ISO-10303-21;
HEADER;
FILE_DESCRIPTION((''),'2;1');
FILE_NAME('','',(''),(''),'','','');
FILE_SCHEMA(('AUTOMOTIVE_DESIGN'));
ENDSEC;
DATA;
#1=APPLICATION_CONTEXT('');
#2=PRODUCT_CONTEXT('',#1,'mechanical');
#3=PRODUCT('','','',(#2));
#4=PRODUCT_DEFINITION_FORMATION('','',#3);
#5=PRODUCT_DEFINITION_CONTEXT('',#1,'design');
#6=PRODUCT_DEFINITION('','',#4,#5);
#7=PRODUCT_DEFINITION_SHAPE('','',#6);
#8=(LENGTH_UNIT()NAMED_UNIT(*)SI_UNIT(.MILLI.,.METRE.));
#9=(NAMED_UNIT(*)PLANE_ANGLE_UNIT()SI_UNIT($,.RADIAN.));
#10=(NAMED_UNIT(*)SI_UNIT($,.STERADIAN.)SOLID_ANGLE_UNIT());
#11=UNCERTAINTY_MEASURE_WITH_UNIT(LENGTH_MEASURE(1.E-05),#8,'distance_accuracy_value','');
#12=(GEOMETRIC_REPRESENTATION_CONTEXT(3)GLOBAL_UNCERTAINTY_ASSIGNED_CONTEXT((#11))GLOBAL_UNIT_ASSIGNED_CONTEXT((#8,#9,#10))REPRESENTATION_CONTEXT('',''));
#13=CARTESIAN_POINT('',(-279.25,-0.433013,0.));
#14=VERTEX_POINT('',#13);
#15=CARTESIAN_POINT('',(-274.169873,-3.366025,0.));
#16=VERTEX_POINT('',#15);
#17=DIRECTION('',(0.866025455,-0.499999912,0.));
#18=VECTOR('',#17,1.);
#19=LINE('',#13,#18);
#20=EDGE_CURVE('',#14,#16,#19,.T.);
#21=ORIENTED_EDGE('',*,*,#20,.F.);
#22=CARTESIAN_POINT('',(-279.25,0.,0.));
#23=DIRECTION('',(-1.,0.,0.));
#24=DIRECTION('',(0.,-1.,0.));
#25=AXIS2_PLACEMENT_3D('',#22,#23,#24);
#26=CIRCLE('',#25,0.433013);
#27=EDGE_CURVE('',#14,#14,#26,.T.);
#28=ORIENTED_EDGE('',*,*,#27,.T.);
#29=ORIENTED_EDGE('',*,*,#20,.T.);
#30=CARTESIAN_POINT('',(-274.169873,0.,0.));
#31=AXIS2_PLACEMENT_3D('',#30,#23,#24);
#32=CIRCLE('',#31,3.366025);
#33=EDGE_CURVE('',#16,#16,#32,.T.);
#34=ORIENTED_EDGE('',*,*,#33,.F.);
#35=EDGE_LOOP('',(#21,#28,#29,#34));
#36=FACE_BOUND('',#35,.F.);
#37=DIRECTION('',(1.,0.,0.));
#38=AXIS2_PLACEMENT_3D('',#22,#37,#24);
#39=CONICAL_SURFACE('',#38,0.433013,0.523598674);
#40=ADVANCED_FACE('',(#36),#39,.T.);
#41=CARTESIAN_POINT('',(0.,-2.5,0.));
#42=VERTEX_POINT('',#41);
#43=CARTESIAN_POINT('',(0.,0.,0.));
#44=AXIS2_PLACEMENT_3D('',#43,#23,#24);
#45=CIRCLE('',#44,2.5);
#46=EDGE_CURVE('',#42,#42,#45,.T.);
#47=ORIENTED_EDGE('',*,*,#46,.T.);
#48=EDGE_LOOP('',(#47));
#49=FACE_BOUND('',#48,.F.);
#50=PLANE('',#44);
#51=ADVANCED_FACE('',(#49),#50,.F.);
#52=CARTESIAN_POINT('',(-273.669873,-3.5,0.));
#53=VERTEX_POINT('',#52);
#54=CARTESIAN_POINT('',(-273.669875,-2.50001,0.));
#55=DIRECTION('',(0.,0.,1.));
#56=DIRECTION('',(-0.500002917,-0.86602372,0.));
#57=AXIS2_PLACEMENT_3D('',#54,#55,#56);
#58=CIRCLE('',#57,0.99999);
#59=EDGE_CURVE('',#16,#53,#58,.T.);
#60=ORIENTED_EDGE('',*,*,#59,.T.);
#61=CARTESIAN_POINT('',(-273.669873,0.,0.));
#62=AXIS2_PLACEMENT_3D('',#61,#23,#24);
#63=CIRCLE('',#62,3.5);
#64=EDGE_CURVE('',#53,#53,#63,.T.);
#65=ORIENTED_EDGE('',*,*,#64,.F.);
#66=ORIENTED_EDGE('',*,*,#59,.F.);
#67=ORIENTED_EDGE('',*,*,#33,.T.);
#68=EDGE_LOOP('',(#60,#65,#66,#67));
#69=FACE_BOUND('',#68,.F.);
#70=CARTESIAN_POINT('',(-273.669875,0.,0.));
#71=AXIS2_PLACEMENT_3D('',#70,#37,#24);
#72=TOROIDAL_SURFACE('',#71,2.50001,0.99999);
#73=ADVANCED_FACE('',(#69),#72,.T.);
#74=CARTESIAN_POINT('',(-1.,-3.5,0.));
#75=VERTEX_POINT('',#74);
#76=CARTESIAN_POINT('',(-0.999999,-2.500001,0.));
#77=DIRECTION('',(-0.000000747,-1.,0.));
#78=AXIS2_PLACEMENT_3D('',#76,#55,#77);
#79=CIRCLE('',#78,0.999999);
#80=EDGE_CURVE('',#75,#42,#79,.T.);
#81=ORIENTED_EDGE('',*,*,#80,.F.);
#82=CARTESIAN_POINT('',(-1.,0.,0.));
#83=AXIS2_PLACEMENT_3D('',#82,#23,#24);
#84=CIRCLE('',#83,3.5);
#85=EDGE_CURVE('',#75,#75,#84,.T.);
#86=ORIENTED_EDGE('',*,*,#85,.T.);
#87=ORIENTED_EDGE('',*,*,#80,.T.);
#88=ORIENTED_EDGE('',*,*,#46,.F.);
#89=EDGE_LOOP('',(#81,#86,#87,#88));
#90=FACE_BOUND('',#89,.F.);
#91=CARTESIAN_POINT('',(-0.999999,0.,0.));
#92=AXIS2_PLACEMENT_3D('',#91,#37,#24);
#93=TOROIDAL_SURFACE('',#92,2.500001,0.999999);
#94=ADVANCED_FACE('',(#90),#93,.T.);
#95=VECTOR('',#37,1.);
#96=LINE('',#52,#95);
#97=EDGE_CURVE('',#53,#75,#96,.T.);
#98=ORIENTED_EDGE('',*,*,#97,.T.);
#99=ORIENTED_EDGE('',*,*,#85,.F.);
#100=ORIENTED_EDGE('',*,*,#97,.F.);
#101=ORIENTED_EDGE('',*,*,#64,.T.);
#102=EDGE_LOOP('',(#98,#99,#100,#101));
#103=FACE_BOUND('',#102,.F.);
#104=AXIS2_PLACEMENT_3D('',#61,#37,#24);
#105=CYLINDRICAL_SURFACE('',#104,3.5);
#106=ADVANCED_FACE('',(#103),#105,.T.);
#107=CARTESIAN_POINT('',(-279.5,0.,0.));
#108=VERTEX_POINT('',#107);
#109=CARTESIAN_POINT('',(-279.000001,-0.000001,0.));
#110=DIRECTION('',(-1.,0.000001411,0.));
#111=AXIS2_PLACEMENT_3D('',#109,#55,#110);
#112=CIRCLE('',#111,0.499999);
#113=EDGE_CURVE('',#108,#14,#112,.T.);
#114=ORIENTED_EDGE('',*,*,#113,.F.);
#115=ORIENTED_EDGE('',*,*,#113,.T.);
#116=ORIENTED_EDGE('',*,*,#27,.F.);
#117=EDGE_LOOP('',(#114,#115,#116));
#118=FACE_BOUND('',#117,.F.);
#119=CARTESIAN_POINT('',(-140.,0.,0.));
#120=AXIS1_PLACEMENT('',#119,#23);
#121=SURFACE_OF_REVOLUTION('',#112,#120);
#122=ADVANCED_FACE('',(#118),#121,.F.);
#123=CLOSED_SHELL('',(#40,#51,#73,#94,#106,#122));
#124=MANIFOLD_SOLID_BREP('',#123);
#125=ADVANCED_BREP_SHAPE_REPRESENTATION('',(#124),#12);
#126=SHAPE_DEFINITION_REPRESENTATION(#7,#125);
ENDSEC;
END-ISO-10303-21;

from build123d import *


with BuildPart() as f1:
    # F0 (on Top) → F1 (revolve)
    with BuildSketch(Plane.XY):
        with BuildLine():
            ThreePointArc((-279.5, 0), (-279.433013, -0.25), (-279.25, -0.433013))
            Line((-279.25, -0.433013), (-274.169873, -3.366025))
            ThreePointArc((-274.169873, -3.366025), (-273.928692, -3.465926), (-273.669873, -3.5))
            Line((-273.669873, -3.5), (-1, -3.5))
            ThreePointArc((-1, -3.5), (-0.292893, -3.207107), (0, -2.5))
            Line((0, -2.5), (0, 0))
            Line((0, 0), (-279.5, 0))
        make_face()
    revolve(axis=Axis((-140, 0, 0), (-1, 0, 0)))


solid = f1.part
